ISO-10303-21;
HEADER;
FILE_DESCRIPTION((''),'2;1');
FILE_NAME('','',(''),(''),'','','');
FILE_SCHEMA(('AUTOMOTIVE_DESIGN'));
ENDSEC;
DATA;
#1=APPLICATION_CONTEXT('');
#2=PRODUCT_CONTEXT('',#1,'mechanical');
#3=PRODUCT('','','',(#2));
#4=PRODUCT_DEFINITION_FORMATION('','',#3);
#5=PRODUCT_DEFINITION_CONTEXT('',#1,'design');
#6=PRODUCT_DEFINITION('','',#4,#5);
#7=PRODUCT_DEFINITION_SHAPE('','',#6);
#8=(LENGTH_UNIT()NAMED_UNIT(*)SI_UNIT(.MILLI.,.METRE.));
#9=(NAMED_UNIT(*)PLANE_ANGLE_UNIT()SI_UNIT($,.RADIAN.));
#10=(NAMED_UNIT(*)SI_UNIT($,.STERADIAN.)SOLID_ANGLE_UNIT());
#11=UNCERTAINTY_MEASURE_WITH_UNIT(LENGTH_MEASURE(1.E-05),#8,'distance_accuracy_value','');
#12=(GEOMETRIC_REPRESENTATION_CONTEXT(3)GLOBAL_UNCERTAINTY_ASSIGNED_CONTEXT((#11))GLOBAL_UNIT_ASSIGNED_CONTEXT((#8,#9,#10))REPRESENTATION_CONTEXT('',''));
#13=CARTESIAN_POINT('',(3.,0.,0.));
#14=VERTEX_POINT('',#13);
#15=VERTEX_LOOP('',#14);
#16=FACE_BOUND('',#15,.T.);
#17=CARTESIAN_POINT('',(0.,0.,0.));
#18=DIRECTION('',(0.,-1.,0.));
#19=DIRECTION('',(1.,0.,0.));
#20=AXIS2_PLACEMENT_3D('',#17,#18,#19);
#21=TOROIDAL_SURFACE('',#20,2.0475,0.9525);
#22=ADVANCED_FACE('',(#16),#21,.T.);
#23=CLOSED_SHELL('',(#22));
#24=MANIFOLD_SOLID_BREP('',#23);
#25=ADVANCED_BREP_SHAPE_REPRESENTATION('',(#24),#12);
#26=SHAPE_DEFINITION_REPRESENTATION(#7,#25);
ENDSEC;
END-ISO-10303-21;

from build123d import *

# Parameters (mm, degrees)
ESQUISSE1_R = 0.9525


with BuildPart() as part:
    # Esquisse1 → Révolution1 (revolve)
    with BuildSketch(Plane.XY):
        with Locations((2.0475, 0)):
            Circle(ESQUISSE1_R)
    revolve(axis=Axis((0, -2.320303714, 0), (0, 1, 0)))


solid = part.part
